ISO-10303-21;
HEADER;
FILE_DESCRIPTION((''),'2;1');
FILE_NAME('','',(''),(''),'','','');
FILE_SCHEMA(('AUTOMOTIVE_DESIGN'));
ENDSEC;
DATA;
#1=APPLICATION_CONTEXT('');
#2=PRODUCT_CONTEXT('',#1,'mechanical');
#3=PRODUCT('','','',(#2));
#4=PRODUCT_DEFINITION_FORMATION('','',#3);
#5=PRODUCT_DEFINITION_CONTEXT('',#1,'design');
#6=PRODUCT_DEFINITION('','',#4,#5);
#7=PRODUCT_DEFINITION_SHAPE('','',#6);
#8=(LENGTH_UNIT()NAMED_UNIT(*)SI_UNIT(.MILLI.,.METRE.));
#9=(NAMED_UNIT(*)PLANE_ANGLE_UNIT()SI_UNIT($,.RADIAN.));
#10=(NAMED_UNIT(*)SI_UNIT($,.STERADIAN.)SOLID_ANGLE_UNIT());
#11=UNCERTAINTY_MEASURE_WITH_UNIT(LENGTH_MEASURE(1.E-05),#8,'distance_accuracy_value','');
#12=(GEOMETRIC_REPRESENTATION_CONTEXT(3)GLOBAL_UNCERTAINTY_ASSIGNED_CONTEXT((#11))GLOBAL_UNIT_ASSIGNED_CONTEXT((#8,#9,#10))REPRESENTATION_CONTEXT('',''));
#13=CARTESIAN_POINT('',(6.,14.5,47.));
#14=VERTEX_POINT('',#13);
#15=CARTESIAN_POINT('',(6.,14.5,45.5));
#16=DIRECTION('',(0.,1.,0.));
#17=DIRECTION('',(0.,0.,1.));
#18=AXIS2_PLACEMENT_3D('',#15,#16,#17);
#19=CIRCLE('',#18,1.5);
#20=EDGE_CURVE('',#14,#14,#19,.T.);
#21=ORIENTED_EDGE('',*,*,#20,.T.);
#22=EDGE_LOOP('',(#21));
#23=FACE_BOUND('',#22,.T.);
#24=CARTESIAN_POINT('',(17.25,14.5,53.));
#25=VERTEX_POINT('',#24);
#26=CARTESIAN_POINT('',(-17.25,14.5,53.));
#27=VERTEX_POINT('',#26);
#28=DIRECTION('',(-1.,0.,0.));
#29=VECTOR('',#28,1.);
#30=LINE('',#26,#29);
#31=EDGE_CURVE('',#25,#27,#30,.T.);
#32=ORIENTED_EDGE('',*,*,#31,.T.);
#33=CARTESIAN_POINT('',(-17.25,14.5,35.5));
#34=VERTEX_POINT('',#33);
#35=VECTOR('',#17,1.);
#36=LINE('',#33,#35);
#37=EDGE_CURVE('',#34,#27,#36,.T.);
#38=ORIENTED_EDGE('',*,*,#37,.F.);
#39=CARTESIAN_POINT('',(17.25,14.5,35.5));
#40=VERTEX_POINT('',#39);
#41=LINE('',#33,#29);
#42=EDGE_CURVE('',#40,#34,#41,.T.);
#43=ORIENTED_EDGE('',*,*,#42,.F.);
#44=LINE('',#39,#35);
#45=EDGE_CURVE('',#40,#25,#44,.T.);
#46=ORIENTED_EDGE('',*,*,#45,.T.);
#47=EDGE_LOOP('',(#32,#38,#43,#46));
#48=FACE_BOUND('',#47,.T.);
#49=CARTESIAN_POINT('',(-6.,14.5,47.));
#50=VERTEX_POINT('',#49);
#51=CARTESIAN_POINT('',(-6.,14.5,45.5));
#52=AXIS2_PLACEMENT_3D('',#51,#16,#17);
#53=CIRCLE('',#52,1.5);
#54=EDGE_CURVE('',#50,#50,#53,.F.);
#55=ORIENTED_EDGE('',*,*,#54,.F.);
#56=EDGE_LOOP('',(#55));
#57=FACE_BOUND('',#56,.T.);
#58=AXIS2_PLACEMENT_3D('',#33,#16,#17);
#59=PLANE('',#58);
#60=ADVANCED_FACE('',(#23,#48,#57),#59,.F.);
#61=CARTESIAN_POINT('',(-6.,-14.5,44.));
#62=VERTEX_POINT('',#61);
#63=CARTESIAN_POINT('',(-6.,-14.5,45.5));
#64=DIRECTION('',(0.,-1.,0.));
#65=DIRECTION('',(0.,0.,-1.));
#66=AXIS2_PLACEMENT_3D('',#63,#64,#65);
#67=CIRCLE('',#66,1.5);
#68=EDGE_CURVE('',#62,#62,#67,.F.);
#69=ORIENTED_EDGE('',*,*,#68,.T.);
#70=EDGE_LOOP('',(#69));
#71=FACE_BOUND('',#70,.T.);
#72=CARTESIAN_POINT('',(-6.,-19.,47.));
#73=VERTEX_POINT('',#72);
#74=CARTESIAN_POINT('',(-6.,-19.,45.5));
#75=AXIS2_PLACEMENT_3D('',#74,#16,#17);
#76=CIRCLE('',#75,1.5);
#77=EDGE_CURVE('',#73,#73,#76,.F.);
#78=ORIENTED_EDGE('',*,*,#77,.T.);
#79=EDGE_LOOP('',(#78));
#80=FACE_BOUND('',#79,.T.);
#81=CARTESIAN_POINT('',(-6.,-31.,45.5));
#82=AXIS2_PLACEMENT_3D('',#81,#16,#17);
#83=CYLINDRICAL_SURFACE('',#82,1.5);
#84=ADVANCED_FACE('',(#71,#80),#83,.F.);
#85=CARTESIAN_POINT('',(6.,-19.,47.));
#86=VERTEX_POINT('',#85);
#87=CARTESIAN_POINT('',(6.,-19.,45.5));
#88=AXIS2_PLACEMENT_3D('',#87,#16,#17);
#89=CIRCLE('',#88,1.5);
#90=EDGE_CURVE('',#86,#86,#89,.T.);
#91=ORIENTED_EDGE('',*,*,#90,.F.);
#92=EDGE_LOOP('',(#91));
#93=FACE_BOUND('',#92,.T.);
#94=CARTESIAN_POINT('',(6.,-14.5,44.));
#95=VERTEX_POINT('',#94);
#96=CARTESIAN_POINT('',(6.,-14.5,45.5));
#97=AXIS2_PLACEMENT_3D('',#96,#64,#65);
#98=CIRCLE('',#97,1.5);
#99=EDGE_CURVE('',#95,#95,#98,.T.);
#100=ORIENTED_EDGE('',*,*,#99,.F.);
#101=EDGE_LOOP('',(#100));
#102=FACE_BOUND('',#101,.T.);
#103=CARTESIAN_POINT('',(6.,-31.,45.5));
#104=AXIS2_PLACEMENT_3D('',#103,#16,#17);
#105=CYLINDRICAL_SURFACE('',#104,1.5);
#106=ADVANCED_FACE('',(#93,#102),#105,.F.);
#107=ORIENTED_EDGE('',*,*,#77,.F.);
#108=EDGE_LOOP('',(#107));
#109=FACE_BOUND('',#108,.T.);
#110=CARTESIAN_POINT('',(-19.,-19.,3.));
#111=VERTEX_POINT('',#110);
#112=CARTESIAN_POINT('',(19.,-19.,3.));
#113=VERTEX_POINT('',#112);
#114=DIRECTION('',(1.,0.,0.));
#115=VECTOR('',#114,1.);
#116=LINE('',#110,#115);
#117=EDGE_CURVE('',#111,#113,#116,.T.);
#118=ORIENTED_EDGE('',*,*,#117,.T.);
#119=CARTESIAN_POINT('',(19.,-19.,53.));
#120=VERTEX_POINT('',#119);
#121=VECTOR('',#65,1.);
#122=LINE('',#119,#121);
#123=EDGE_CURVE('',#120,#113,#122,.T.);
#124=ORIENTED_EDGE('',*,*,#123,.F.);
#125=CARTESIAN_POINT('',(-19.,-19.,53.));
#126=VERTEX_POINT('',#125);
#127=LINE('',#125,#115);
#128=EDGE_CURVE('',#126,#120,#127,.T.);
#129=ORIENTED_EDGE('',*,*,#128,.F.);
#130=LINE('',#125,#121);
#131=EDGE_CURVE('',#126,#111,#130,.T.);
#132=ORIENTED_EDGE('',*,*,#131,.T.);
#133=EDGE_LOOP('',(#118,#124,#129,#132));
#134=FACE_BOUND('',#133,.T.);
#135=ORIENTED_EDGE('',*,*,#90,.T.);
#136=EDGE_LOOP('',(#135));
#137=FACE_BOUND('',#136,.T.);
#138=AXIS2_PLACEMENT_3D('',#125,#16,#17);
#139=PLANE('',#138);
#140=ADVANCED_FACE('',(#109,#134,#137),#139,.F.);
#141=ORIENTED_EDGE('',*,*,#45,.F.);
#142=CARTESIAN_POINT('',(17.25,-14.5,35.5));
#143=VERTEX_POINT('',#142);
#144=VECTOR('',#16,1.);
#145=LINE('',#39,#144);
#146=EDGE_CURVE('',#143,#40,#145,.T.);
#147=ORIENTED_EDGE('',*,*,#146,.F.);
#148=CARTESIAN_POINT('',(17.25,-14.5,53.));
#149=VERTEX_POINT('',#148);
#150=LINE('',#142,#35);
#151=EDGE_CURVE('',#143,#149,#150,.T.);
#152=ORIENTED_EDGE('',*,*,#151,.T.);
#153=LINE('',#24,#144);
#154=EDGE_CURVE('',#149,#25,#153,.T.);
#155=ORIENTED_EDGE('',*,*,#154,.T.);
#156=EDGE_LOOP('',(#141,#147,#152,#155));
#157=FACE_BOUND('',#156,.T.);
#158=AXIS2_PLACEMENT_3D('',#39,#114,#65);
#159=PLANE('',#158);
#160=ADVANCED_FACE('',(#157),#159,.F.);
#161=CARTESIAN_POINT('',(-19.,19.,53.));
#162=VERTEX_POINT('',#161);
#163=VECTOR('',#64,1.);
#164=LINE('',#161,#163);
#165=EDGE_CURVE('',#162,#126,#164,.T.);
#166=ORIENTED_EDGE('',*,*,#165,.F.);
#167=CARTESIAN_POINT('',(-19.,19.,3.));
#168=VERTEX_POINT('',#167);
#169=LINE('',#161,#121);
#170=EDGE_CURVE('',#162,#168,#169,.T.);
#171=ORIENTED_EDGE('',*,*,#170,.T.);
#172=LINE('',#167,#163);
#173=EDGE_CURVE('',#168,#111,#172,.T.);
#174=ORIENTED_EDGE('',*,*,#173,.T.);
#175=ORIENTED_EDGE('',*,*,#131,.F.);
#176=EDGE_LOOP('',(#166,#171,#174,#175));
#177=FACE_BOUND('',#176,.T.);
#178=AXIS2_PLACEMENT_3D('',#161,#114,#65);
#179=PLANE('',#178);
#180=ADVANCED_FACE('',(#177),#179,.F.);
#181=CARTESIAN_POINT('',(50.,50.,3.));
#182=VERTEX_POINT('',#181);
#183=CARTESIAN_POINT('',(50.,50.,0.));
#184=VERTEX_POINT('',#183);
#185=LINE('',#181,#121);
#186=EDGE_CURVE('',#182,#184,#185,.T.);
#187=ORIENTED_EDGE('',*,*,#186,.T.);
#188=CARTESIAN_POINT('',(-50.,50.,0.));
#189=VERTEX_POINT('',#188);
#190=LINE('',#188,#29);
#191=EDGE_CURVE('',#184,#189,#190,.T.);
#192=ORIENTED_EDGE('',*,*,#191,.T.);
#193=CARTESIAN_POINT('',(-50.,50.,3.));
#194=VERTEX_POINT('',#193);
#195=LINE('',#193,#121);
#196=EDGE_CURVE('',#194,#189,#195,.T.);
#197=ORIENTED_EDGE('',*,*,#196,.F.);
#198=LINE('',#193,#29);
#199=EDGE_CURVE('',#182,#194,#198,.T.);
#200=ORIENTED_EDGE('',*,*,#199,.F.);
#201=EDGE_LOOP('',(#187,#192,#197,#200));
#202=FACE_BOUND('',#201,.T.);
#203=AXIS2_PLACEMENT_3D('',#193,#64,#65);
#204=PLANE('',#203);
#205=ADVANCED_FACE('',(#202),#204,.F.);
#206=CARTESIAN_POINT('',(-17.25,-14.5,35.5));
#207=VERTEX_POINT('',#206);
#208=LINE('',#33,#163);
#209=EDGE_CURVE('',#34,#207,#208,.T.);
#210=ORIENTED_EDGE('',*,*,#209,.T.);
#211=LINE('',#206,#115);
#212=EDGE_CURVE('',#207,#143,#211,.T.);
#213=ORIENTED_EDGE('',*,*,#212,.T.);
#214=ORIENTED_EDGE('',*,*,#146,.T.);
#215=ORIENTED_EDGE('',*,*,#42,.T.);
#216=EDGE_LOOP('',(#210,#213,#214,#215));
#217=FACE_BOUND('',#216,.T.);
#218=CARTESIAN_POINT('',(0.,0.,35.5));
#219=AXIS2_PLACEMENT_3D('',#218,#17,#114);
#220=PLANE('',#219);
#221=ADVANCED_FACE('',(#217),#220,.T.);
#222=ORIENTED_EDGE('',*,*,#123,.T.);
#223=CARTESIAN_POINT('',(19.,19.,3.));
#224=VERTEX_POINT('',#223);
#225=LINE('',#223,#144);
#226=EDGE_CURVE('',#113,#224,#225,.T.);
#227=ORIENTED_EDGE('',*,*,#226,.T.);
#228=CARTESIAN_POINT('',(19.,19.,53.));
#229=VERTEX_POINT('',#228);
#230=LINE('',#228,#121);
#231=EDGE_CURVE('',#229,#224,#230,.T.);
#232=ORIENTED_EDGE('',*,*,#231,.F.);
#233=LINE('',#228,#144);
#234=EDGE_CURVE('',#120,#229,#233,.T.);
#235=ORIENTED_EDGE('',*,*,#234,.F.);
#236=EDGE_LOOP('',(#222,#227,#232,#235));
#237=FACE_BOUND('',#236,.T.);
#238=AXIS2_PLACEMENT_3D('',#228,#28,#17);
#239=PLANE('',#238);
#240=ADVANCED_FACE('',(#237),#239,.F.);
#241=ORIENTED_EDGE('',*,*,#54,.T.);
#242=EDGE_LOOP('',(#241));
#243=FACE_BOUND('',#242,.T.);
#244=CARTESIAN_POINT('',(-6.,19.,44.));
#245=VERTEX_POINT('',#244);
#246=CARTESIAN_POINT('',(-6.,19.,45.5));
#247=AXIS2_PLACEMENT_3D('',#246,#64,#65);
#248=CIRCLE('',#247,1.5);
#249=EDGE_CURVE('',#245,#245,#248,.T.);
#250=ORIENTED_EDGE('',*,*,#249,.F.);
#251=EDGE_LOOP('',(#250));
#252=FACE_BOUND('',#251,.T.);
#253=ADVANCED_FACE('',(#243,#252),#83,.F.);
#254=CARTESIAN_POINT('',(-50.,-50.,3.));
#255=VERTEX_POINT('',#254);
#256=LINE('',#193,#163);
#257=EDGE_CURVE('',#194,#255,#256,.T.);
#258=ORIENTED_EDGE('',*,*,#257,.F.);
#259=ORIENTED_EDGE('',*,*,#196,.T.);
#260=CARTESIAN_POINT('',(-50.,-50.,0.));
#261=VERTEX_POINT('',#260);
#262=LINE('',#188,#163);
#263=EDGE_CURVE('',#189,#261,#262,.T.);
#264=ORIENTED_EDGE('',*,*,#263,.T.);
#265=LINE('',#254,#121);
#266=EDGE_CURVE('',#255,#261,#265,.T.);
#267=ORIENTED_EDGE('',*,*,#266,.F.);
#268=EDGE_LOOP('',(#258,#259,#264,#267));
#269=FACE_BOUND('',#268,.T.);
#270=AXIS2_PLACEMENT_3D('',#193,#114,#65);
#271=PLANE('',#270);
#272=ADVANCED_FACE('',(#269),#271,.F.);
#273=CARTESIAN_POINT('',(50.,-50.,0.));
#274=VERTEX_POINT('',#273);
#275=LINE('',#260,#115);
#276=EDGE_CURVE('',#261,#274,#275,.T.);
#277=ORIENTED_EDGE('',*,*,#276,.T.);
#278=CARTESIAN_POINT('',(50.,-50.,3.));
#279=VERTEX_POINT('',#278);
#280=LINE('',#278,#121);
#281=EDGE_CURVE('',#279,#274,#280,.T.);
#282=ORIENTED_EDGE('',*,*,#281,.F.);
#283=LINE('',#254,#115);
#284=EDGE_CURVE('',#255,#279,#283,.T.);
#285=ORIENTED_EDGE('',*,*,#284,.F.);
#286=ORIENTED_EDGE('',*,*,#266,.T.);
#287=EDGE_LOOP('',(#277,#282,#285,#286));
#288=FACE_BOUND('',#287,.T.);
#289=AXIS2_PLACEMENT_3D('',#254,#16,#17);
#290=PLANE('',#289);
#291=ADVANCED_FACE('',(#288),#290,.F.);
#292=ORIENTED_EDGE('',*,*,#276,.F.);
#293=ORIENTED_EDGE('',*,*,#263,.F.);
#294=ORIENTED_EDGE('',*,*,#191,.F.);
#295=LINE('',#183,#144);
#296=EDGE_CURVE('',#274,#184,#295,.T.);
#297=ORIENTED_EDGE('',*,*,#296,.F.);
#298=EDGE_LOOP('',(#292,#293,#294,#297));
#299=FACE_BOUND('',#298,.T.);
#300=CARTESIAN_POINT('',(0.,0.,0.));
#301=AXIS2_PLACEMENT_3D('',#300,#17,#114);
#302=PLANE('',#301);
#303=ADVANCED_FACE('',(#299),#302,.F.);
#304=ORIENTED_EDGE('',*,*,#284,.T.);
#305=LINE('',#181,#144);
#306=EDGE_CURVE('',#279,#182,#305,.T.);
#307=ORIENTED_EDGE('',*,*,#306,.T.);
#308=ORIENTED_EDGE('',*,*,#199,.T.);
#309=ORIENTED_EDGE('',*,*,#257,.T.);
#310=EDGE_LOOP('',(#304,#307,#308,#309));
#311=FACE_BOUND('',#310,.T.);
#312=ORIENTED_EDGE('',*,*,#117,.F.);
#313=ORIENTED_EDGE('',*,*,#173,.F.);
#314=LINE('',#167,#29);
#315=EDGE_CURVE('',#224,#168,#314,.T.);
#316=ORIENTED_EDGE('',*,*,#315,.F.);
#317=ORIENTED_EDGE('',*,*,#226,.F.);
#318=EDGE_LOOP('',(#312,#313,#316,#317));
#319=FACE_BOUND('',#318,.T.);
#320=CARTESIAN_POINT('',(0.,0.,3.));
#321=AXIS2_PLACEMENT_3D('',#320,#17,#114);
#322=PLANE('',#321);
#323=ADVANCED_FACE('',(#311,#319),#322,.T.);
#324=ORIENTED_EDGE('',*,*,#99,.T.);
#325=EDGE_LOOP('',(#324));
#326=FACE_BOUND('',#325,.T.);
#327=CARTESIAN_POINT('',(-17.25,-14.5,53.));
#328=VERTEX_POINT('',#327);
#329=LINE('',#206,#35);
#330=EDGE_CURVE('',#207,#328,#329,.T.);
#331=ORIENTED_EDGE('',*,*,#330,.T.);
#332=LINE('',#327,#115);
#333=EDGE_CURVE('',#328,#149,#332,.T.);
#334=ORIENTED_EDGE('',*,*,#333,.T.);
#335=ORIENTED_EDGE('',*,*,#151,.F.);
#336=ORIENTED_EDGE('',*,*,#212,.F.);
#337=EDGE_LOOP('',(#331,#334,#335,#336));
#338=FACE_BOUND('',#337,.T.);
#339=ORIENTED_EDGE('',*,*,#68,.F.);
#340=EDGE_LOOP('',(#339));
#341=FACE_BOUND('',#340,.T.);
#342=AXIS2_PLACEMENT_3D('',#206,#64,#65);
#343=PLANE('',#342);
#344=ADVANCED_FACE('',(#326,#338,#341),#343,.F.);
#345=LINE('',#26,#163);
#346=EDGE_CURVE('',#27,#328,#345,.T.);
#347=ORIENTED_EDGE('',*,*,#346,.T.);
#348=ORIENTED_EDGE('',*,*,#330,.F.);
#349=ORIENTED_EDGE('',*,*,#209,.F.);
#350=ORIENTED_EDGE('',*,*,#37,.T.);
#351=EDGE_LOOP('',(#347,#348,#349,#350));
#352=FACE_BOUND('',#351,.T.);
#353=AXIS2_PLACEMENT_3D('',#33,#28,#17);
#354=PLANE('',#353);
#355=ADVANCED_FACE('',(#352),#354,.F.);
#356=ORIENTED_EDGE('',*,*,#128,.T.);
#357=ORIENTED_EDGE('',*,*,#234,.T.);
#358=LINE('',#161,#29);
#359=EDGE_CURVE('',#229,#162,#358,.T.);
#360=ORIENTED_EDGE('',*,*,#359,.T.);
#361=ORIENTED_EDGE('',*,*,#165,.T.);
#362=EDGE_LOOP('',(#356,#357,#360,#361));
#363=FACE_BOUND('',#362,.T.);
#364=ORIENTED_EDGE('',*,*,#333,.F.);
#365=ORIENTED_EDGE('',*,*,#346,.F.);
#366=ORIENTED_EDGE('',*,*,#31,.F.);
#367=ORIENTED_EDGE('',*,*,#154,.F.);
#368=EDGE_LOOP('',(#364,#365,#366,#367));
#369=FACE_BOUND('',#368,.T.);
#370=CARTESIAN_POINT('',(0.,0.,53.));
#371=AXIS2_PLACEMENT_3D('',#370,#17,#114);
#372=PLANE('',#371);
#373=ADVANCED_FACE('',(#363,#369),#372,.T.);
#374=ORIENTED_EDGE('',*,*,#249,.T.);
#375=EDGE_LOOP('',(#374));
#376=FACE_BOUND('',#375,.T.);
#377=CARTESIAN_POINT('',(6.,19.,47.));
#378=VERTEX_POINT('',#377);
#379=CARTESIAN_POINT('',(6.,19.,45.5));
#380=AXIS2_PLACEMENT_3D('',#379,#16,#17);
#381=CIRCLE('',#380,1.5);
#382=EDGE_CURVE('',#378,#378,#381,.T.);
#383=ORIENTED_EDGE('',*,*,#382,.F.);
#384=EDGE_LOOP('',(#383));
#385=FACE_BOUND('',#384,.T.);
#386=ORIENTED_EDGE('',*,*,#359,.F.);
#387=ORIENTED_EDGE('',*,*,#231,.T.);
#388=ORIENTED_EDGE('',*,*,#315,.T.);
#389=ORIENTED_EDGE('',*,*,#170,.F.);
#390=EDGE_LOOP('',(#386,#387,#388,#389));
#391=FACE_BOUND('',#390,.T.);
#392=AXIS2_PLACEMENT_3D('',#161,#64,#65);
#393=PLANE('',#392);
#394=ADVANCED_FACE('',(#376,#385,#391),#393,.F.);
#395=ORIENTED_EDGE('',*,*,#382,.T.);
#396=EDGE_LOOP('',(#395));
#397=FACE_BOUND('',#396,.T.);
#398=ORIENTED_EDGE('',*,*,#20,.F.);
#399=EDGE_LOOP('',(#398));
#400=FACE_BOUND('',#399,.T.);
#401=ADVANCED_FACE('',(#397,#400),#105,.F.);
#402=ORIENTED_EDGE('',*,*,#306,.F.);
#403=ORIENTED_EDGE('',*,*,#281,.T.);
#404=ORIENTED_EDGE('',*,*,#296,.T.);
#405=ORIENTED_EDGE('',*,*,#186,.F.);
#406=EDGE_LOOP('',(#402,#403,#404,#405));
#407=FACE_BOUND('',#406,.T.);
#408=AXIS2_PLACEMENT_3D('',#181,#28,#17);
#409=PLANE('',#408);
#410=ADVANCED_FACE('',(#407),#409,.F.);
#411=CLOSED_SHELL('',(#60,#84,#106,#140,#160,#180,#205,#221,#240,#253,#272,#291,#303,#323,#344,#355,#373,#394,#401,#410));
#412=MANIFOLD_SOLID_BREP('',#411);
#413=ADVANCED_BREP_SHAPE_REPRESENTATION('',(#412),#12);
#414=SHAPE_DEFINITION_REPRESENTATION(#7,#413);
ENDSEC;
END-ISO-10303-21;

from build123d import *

# Parameters (mm, degrees)
SKETCH1_W           = 100
SKETCH1_H           = 100
BOSS_EXTRUDE1_DEPTH = 3
SKETCH3_W           = 38
SKETCH3_H           = 38
BOSS_EXTRUDE2_DEPTH = 50
SKETCH5_W           = 34.5
SKETCH5_H           = 29
CUT_EXTRUDE1_DEPTH  = 17.5
SKETCH6_R           = 1.5
CUT_EXTRUDE2_DEPTH  = 50


with BuildPart() as part:
    # Sketch1 → Boss-Extrude1 (new body)
    with BuildSketch(Plane.XY):
        Rectangle(SKETCH1_W, SKETCH1_H)
    extrude(amount=BOSS_EXTRUDE1_DEPTH)

    # Sketch3 → Boss-Extrude2 (add)
    with BuildSketch(Plane.XY.offset(3)):
        Rectangle(SKETCH3_W, SKETCH3_H)
    extrude(amount=BOSS_EXTRUDE2_DEPTH)

    # Sketch5 → Cut-Extrude1 (cut)
    with BuildSketch(Plane.XY.offset(53)):
        Rectangle(SKETCH5_W, SKETCH5_H)
    extrude(amount=-CUT_EXTRUDE1_DEPTH, mode=Mode.SUBTRACT)

    # Sketch6 → Cut-Extrude2 (cut)
    with BuildSketch(Plane(origin=(0, 19, 0), x_dir=(1, 0, 0), z_dir=(0, 1, 0))):
        with Locations((6, -45.5)):
            Circle(SKETCH6_R)
        with Locations((-6, -45.5)):
            Circle(SKETCH6_R)
    extrude(amount=-CUT_EXTRUDE2_DEPTH, mode=Mode.SUBTRACT)


solid = part.part
